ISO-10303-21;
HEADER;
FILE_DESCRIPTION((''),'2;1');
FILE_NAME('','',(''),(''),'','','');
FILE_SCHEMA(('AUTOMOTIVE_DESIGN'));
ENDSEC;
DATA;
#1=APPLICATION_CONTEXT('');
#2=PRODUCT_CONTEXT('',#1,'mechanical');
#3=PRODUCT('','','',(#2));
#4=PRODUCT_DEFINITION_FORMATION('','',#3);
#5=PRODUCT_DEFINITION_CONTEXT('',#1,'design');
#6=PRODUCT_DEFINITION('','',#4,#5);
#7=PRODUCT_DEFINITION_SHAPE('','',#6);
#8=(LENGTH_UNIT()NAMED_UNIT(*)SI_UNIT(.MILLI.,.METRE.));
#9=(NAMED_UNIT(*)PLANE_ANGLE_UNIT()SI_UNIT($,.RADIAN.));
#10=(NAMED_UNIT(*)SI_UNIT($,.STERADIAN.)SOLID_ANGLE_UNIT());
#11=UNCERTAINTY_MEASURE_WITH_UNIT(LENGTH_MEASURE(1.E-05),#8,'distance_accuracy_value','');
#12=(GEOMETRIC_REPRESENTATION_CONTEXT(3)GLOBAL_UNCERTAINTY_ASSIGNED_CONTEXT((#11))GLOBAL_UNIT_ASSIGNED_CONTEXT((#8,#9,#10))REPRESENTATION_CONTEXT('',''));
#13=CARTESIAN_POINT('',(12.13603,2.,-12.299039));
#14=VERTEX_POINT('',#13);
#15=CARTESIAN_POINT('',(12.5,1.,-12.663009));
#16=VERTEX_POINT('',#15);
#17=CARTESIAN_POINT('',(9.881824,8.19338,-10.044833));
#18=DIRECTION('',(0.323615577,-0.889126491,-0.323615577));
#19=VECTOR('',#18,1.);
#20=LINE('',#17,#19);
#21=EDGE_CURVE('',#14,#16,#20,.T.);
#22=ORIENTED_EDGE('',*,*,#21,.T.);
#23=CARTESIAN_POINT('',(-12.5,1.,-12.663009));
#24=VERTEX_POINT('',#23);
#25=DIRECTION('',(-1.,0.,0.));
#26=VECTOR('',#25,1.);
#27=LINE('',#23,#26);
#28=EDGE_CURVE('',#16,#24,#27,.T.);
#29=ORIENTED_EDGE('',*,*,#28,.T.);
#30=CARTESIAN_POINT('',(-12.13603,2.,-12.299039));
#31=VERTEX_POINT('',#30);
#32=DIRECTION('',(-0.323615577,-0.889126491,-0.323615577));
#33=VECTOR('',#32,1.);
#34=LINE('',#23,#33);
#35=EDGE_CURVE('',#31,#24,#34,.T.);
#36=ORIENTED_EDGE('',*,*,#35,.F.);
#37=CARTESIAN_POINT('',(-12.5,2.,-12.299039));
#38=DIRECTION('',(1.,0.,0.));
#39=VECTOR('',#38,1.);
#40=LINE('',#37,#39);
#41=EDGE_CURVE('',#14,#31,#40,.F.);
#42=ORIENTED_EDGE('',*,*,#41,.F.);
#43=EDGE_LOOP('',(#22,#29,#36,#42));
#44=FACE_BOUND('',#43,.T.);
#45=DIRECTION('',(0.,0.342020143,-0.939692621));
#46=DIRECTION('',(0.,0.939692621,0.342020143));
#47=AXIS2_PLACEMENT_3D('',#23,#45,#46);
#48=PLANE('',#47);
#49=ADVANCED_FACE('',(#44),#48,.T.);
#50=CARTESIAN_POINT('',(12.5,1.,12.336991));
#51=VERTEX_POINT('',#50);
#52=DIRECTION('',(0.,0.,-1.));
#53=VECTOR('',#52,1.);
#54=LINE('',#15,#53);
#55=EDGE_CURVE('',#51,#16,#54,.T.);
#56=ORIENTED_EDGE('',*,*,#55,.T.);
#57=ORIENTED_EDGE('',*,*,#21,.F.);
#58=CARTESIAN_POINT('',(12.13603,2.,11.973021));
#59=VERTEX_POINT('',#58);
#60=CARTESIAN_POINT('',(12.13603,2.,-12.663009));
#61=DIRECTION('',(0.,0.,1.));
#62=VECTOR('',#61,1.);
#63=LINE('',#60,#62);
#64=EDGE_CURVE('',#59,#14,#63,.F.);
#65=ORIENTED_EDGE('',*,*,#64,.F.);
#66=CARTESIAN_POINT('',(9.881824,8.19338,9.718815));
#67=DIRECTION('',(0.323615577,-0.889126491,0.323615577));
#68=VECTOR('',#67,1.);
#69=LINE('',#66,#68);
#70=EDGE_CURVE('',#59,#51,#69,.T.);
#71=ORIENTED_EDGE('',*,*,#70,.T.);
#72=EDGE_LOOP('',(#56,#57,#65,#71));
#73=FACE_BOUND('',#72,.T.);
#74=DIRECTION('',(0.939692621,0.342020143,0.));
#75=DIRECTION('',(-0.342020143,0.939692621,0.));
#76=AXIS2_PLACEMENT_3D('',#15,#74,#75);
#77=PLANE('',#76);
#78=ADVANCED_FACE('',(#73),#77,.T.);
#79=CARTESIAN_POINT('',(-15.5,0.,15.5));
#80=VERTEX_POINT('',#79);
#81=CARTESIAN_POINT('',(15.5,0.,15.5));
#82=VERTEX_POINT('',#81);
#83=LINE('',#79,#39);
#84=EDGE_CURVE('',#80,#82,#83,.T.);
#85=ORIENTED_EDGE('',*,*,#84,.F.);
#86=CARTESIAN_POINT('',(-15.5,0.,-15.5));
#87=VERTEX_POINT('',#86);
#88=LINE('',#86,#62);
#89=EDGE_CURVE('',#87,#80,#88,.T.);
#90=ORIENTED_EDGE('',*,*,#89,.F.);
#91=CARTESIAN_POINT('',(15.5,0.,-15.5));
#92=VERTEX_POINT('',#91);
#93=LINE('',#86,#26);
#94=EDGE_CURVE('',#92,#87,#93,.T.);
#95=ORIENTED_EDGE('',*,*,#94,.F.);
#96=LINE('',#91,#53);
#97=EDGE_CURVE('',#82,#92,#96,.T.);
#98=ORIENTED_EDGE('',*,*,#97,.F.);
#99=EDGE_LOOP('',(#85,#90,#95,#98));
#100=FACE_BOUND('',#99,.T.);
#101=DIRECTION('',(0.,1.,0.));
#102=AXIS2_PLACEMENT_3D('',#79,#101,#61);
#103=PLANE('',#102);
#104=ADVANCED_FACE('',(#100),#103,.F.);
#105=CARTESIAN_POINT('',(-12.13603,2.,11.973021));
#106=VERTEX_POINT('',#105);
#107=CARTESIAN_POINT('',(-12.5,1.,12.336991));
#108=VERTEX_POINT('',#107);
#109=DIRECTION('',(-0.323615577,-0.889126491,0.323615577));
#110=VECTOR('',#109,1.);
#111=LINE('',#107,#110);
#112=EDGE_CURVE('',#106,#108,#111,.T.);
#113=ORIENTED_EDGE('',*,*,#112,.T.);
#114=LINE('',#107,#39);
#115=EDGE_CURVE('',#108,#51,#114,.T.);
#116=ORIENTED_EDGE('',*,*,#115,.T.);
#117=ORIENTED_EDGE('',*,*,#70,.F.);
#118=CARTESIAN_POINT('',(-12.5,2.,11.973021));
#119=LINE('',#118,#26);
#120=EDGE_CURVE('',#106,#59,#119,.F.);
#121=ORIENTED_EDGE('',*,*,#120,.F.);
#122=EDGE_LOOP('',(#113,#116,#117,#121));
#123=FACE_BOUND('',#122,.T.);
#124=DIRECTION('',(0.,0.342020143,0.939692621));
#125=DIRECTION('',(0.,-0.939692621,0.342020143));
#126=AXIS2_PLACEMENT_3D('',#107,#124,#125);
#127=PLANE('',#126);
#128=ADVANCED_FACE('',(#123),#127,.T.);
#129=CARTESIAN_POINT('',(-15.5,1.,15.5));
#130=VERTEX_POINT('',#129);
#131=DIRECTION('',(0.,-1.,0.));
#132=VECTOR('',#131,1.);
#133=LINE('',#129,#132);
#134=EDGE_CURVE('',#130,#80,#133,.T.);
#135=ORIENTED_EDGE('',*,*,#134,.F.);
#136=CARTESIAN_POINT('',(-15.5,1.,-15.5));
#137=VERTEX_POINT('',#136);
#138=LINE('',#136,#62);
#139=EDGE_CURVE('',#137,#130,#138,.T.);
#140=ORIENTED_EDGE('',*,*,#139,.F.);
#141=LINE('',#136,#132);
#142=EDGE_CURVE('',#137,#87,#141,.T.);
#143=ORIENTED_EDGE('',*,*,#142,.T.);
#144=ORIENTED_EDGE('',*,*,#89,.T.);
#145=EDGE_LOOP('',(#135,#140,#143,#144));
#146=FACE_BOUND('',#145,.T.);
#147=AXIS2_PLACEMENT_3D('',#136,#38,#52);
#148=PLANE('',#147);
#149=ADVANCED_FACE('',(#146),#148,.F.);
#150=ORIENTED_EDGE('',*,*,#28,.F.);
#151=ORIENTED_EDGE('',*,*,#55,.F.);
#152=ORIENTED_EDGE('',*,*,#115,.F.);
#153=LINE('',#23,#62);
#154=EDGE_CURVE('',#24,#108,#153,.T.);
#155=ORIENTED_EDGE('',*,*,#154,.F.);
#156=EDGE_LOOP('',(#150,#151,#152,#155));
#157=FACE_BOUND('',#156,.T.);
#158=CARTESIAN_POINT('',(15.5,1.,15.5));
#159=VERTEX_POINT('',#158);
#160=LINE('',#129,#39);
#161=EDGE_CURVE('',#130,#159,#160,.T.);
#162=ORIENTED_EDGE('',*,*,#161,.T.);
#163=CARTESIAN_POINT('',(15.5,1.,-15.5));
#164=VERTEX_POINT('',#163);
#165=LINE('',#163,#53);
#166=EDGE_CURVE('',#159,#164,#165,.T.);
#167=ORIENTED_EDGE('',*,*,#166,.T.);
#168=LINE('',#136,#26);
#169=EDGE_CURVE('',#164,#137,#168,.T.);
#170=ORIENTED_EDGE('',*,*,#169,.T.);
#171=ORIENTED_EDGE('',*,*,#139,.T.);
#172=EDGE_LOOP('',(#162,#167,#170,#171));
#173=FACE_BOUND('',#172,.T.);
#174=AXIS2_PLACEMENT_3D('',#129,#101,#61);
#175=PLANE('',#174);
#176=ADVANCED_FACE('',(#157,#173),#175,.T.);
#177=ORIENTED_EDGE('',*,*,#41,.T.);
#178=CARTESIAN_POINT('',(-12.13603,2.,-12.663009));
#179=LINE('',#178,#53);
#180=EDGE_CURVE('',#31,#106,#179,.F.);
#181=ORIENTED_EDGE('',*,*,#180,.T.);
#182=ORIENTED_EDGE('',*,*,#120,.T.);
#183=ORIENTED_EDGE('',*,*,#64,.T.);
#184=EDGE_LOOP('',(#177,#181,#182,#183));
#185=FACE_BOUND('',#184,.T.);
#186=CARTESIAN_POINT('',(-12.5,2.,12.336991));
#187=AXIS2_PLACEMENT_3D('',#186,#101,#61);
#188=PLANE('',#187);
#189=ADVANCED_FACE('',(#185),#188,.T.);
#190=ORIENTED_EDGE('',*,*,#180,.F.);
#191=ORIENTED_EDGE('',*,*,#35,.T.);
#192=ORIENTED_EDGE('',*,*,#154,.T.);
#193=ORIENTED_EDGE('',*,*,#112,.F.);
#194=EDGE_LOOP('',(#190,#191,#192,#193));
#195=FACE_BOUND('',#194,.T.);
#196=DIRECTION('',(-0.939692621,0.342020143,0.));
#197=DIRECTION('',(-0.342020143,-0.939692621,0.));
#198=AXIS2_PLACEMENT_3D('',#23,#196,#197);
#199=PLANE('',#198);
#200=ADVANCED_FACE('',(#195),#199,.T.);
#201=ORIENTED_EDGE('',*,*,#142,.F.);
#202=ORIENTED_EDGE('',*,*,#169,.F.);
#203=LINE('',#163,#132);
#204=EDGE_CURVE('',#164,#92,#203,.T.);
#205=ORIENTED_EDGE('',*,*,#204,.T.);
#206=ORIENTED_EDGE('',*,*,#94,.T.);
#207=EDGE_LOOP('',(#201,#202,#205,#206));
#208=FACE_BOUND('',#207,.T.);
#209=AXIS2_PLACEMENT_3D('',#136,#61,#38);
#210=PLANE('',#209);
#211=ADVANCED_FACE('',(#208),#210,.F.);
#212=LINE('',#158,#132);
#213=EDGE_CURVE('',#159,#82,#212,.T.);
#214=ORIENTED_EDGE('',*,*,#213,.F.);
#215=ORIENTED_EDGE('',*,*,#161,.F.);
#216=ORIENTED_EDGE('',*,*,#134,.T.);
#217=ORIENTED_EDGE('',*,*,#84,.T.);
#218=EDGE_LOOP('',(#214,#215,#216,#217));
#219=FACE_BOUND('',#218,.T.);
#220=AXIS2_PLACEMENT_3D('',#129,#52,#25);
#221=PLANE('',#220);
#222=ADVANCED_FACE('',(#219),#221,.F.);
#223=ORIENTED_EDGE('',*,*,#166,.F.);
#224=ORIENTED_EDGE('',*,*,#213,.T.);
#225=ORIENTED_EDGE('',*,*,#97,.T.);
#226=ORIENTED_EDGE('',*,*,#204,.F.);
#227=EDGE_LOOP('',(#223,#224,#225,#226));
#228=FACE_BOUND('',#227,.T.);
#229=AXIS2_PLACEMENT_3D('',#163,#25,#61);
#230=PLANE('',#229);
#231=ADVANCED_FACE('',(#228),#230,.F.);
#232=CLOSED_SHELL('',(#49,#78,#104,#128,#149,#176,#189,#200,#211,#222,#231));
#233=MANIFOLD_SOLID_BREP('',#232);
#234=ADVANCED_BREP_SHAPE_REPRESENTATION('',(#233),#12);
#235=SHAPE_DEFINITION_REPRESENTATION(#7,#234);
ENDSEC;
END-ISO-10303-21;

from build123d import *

# Parameters (mm, degrees)
SKETCH8_W            = 31
SKETCH8_H            = 31
BOSS_EXTRUDE4_DEPTH  = 1
SKETCH16_W           = 25
SKETCH16_H           = 25
BOSS_EXTRUDE11_DEPTH = 1
BOSS_EXTRUDE11_TAPER = 20


with BuildPart() as part:
    # Sketch8 → Boss-Extrude4 (new body)
    with BuildSketch(Plane(origin=(0, 0, 0), x_dir=(1, 0, 0), z_dir=(0, 1, 0))):
        Rectangle(SKETCH8_W, SKETCH8_H)
    extrude(amount=BOSS_EXTRUDE4_DEPTH)

    # Sketch16 → Boss-Extrude11 (add)
    with BuildSketch(Plane(origin=(0, 1, 0), x_dir=(1, 0, 0), z_dir=(0, 1, 0))):
        with Locations((0, 0.163009042)):
            Rectangle(SKETCH16_W, SKETCH16_H)
    extrude(amount=BOSS_EXTRUDE11_DEPTH, taper=BOSS_EXTRUDE11_TAPER)


solid = part.part
